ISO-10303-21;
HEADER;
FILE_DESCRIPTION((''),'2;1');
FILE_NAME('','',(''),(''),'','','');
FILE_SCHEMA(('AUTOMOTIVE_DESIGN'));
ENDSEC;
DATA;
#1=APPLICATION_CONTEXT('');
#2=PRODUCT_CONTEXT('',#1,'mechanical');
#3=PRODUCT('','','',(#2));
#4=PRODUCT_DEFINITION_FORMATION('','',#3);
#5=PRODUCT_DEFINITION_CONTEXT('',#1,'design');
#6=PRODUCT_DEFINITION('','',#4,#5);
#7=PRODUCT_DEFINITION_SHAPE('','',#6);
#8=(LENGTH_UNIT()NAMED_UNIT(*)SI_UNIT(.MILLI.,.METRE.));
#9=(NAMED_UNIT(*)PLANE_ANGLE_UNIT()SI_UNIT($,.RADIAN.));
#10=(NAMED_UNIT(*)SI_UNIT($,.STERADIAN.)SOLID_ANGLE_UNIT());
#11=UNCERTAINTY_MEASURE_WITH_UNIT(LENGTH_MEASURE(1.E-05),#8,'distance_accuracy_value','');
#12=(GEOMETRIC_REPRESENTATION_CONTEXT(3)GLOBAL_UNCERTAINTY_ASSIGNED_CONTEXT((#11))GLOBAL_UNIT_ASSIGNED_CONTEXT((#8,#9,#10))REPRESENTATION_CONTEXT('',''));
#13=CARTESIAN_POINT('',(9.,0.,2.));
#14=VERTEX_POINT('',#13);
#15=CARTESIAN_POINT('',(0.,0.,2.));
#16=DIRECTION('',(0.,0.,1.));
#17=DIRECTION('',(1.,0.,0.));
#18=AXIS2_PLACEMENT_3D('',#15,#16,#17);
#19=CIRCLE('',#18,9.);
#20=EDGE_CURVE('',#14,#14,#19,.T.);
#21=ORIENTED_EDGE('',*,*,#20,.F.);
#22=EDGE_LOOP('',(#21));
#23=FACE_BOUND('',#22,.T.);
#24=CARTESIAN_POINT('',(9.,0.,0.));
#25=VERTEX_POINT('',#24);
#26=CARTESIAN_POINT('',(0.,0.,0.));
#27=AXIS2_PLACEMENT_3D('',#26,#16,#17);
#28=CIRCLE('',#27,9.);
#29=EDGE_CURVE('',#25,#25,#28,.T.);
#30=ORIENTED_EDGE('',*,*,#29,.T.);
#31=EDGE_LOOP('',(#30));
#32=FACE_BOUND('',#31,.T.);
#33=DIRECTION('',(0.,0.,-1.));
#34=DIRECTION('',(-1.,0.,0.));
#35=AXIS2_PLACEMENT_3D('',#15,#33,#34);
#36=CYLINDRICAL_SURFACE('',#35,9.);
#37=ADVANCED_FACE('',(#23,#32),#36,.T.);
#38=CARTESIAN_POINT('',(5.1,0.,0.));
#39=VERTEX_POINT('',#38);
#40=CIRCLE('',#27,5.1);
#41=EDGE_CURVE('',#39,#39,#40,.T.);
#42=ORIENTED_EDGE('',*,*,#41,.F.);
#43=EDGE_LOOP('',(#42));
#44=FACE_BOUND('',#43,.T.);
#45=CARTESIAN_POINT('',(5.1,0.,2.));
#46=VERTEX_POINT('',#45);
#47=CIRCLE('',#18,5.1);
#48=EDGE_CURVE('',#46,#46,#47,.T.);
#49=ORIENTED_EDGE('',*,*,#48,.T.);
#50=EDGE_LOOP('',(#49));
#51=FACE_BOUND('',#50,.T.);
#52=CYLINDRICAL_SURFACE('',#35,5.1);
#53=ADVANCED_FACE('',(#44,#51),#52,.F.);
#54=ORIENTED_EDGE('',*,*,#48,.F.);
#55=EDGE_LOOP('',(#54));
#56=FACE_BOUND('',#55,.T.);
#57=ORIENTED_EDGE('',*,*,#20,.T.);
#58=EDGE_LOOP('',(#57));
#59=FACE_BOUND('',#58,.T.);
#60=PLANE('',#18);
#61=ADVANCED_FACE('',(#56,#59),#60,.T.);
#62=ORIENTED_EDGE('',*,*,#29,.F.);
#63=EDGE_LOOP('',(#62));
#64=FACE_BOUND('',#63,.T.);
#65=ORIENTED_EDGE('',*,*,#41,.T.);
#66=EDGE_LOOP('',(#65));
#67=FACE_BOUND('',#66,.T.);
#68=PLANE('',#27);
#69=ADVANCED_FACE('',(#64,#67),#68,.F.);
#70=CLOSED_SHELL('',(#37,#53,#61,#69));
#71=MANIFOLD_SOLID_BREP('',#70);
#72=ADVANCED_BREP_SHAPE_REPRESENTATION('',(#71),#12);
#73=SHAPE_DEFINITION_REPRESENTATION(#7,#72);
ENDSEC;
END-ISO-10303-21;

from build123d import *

# Parameters (mm, degrees)
SKETCH1_R           = 9
SKETCH1_R_2         = 5.1
BOSS_EXTRUDE1_DEPTH = 2


with BuildPart() as part:
    # Sketch1 → Boss-Extrude1 (new body)
    with BuildSketch(Plane.XY):
        Circle(SKETCH1_R)
        Circle(SKETCH1_R_2, mode=Mode.SUBTRACT)
    extrude(amount=BOSS_EXTRUDE1_DEPTH)


solid = part.part
